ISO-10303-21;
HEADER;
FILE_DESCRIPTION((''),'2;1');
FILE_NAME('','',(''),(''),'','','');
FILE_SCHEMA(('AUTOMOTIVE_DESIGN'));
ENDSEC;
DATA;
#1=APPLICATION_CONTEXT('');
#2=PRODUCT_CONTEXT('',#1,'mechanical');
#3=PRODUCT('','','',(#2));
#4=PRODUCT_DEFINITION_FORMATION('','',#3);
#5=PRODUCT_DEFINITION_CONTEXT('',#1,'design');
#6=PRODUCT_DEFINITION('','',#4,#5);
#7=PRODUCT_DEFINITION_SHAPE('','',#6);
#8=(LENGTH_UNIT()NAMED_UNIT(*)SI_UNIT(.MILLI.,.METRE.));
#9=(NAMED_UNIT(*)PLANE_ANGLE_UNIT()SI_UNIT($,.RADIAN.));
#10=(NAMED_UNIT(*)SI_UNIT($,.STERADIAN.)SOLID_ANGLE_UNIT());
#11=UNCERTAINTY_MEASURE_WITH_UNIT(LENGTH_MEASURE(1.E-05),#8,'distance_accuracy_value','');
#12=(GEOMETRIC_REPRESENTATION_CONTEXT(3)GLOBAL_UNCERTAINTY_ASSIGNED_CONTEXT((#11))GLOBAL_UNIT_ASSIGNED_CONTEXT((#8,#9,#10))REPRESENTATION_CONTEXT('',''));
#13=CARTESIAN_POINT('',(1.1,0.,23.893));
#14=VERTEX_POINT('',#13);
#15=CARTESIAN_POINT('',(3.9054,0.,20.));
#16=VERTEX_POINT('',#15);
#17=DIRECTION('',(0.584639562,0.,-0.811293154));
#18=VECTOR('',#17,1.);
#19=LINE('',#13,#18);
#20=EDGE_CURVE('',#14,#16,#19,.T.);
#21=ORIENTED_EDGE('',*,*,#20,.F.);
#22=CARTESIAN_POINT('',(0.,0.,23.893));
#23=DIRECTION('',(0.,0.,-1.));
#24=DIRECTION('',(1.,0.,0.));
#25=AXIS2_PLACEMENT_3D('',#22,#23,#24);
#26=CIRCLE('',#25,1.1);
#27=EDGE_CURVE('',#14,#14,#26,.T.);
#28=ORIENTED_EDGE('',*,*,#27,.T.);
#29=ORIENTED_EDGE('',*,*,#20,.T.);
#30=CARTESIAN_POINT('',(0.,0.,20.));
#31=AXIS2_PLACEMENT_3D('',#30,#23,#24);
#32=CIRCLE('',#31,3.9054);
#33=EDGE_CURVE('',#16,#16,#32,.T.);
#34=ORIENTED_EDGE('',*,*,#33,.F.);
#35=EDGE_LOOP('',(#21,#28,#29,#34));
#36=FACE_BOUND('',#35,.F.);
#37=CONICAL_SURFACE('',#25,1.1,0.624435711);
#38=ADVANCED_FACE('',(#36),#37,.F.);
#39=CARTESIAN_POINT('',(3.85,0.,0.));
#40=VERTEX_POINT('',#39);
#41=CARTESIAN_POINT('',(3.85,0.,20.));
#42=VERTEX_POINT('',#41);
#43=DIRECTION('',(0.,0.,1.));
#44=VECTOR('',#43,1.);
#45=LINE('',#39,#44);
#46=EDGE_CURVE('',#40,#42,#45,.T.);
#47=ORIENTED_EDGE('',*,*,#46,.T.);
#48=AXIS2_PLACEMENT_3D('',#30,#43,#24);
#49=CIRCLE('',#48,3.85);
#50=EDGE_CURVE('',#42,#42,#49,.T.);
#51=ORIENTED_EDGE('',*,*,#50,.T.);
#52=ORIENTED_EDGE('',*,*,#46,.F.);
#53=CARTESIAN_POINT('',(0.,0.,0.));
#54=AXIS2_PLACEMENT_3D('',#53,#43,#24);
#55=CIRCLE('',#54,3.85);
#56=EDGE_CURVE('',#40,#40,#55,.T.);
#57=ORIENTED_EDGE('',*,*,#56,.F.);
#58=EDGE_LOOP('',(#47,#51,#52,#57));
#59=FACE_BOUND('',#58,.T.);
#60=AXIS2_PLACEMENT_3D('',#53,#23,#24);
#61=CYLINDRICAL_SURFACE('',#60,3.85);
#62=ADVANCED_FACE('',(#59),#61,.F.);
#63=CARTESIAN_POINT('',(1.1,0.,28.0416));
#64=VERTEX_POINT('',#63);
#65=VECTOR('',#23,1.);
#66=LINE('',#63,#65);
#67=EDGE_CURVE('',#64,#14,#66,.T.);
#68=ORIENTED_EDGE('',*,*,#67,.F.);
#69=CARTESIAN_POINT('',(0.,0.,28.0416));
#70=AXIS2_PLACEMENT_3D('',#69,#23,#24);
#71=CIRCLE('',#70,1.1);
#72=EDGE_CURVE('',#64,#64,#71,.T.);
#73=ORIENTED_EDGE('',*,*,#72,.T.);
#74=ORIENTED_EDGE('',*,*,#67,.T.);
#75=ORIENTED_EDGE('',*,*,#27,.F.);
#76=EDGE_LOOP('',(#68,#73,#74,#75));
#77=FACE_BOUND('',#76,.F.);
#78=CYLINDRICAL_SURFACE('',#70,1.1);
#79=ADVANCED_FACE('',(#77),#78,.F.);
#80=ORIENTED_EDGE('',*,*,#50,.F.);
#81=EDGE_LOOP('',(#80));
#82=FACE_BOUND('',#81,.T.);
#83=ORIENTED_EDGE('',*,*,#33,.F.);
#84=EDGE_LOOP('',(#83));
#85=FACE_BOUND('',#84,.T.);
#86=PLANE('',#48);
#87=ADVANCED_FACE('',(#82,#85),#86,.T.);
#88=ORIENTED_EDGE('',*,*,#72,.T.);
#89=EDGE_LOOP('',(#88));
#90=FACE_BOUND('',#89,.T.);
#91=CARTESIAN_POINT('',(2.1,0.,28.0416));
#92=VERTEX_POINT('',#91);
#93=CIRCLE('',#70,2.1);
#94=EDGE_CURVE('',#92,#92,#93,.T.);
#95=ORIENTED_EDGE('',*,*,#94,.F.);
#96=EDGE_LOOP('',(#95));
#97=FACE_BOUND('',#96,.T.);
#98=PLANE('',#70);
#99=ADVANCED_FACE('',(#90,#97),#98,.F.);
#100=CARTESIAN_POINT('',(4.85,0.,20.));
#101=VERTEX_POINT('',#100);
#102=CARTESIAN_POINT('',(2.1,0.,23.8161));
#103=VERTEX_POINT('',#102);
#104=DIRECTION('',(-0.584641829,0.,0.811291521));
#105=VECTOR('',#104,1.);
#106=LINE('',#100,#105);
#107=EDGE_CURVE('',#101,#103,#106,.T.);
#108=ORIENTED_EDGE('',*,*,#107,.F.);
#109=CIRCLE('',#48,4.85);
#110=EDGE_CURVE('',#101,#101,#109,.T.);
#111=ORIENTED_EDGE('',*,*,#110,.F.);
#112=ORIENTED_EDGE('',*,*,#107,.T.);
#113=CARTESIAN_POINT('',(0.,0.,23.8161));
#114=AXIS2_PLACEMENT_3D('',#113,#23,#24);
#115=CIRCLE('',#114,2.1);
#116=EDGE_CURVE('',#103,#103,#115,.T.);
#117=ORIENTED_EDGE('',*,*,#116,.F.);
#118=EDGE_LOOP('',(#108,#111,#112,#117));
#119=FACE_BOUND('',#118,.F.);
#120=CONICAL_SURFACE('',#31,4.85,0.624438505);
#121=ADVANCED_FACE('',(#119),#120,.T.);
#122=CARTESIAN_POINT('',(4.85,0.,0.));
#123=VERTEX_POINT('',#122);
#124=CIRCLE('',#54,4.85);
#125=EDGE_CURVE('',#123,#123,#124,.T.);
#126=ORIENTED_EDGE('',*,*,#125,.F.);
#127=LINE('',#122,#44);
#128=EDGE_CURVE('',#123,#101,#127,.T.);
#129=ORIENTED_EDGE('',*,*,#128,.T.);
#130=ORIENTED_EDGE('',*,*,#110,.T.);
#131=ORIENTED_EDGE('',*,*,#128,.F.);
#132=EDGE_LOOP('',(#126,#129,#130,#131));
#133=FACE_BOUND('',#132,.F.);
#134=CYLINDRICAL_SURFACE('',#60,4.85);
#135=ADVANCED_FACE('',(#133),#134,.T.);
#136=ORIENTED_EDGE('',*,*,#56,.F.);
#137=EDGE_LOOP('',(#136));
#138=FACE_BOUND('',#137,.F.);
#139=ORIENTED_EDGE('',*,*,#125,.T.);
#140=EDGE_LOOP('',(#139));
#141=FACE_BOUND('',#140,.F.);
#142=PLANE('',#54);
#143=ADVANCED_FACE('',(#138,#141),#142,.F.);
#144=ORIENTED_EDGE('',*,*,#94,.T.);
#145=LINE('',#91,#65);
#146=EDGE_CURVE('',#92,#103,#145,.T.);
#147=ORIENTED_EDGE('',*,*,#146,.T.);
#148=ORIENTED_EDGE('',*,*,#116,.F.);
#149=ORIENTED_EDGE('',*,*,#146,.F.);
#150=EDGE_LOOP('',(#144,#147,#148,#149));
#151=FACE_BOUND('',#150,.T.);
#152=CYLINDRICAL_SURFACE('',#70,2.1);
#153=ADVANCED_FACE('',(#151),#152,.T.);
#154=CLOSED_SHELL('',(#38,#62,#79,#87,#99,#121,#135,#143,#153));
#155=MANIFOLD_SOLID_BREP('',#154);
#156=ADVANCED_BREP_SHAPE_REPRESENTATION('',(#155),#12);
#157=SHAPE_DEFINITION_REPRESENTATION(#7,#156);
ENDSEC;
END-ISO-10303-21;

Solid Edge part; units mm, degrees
sketch "Sketch1" plane through (0, 0, 0) normal (0, 0, 1) x (1, 0, 0)
  circle A0 centre (0, 0) radius 3.85
  circle A1 centre (0, 0) radius 4.85
  dimension "D1" = 7.7
extrude "ProtrusiónExtruida_22" add sketch "Sketch1" along normal blind 20
sketch "Sketch2" plane through (0, 0, 0) normal (0, -1, 0) x (1, 0, 0)
  line L0 (1.1, 28.0416) -> (1.1, 23.893)
  line L1 (1.1, 23.893) -> (3.9054, 20)
  line L2 (4.85, 20) -> (3.9054, 20)
  line L3 (4.85, 20) -> (2.1, 23.8161)
  line L4 (2.1, 28.0416) -> (2.1, 23.8161)
  line L5 (1.1, 28.0416) -> (2.1, 28.0416)
  dimension "D1" = 1.1
  dimension "D2" = 1
revolve "RevolvedProtrusion1" add sketch "Sketch2" angle 360 about axis through (0, 0, 54) along (0, 0, -1)
